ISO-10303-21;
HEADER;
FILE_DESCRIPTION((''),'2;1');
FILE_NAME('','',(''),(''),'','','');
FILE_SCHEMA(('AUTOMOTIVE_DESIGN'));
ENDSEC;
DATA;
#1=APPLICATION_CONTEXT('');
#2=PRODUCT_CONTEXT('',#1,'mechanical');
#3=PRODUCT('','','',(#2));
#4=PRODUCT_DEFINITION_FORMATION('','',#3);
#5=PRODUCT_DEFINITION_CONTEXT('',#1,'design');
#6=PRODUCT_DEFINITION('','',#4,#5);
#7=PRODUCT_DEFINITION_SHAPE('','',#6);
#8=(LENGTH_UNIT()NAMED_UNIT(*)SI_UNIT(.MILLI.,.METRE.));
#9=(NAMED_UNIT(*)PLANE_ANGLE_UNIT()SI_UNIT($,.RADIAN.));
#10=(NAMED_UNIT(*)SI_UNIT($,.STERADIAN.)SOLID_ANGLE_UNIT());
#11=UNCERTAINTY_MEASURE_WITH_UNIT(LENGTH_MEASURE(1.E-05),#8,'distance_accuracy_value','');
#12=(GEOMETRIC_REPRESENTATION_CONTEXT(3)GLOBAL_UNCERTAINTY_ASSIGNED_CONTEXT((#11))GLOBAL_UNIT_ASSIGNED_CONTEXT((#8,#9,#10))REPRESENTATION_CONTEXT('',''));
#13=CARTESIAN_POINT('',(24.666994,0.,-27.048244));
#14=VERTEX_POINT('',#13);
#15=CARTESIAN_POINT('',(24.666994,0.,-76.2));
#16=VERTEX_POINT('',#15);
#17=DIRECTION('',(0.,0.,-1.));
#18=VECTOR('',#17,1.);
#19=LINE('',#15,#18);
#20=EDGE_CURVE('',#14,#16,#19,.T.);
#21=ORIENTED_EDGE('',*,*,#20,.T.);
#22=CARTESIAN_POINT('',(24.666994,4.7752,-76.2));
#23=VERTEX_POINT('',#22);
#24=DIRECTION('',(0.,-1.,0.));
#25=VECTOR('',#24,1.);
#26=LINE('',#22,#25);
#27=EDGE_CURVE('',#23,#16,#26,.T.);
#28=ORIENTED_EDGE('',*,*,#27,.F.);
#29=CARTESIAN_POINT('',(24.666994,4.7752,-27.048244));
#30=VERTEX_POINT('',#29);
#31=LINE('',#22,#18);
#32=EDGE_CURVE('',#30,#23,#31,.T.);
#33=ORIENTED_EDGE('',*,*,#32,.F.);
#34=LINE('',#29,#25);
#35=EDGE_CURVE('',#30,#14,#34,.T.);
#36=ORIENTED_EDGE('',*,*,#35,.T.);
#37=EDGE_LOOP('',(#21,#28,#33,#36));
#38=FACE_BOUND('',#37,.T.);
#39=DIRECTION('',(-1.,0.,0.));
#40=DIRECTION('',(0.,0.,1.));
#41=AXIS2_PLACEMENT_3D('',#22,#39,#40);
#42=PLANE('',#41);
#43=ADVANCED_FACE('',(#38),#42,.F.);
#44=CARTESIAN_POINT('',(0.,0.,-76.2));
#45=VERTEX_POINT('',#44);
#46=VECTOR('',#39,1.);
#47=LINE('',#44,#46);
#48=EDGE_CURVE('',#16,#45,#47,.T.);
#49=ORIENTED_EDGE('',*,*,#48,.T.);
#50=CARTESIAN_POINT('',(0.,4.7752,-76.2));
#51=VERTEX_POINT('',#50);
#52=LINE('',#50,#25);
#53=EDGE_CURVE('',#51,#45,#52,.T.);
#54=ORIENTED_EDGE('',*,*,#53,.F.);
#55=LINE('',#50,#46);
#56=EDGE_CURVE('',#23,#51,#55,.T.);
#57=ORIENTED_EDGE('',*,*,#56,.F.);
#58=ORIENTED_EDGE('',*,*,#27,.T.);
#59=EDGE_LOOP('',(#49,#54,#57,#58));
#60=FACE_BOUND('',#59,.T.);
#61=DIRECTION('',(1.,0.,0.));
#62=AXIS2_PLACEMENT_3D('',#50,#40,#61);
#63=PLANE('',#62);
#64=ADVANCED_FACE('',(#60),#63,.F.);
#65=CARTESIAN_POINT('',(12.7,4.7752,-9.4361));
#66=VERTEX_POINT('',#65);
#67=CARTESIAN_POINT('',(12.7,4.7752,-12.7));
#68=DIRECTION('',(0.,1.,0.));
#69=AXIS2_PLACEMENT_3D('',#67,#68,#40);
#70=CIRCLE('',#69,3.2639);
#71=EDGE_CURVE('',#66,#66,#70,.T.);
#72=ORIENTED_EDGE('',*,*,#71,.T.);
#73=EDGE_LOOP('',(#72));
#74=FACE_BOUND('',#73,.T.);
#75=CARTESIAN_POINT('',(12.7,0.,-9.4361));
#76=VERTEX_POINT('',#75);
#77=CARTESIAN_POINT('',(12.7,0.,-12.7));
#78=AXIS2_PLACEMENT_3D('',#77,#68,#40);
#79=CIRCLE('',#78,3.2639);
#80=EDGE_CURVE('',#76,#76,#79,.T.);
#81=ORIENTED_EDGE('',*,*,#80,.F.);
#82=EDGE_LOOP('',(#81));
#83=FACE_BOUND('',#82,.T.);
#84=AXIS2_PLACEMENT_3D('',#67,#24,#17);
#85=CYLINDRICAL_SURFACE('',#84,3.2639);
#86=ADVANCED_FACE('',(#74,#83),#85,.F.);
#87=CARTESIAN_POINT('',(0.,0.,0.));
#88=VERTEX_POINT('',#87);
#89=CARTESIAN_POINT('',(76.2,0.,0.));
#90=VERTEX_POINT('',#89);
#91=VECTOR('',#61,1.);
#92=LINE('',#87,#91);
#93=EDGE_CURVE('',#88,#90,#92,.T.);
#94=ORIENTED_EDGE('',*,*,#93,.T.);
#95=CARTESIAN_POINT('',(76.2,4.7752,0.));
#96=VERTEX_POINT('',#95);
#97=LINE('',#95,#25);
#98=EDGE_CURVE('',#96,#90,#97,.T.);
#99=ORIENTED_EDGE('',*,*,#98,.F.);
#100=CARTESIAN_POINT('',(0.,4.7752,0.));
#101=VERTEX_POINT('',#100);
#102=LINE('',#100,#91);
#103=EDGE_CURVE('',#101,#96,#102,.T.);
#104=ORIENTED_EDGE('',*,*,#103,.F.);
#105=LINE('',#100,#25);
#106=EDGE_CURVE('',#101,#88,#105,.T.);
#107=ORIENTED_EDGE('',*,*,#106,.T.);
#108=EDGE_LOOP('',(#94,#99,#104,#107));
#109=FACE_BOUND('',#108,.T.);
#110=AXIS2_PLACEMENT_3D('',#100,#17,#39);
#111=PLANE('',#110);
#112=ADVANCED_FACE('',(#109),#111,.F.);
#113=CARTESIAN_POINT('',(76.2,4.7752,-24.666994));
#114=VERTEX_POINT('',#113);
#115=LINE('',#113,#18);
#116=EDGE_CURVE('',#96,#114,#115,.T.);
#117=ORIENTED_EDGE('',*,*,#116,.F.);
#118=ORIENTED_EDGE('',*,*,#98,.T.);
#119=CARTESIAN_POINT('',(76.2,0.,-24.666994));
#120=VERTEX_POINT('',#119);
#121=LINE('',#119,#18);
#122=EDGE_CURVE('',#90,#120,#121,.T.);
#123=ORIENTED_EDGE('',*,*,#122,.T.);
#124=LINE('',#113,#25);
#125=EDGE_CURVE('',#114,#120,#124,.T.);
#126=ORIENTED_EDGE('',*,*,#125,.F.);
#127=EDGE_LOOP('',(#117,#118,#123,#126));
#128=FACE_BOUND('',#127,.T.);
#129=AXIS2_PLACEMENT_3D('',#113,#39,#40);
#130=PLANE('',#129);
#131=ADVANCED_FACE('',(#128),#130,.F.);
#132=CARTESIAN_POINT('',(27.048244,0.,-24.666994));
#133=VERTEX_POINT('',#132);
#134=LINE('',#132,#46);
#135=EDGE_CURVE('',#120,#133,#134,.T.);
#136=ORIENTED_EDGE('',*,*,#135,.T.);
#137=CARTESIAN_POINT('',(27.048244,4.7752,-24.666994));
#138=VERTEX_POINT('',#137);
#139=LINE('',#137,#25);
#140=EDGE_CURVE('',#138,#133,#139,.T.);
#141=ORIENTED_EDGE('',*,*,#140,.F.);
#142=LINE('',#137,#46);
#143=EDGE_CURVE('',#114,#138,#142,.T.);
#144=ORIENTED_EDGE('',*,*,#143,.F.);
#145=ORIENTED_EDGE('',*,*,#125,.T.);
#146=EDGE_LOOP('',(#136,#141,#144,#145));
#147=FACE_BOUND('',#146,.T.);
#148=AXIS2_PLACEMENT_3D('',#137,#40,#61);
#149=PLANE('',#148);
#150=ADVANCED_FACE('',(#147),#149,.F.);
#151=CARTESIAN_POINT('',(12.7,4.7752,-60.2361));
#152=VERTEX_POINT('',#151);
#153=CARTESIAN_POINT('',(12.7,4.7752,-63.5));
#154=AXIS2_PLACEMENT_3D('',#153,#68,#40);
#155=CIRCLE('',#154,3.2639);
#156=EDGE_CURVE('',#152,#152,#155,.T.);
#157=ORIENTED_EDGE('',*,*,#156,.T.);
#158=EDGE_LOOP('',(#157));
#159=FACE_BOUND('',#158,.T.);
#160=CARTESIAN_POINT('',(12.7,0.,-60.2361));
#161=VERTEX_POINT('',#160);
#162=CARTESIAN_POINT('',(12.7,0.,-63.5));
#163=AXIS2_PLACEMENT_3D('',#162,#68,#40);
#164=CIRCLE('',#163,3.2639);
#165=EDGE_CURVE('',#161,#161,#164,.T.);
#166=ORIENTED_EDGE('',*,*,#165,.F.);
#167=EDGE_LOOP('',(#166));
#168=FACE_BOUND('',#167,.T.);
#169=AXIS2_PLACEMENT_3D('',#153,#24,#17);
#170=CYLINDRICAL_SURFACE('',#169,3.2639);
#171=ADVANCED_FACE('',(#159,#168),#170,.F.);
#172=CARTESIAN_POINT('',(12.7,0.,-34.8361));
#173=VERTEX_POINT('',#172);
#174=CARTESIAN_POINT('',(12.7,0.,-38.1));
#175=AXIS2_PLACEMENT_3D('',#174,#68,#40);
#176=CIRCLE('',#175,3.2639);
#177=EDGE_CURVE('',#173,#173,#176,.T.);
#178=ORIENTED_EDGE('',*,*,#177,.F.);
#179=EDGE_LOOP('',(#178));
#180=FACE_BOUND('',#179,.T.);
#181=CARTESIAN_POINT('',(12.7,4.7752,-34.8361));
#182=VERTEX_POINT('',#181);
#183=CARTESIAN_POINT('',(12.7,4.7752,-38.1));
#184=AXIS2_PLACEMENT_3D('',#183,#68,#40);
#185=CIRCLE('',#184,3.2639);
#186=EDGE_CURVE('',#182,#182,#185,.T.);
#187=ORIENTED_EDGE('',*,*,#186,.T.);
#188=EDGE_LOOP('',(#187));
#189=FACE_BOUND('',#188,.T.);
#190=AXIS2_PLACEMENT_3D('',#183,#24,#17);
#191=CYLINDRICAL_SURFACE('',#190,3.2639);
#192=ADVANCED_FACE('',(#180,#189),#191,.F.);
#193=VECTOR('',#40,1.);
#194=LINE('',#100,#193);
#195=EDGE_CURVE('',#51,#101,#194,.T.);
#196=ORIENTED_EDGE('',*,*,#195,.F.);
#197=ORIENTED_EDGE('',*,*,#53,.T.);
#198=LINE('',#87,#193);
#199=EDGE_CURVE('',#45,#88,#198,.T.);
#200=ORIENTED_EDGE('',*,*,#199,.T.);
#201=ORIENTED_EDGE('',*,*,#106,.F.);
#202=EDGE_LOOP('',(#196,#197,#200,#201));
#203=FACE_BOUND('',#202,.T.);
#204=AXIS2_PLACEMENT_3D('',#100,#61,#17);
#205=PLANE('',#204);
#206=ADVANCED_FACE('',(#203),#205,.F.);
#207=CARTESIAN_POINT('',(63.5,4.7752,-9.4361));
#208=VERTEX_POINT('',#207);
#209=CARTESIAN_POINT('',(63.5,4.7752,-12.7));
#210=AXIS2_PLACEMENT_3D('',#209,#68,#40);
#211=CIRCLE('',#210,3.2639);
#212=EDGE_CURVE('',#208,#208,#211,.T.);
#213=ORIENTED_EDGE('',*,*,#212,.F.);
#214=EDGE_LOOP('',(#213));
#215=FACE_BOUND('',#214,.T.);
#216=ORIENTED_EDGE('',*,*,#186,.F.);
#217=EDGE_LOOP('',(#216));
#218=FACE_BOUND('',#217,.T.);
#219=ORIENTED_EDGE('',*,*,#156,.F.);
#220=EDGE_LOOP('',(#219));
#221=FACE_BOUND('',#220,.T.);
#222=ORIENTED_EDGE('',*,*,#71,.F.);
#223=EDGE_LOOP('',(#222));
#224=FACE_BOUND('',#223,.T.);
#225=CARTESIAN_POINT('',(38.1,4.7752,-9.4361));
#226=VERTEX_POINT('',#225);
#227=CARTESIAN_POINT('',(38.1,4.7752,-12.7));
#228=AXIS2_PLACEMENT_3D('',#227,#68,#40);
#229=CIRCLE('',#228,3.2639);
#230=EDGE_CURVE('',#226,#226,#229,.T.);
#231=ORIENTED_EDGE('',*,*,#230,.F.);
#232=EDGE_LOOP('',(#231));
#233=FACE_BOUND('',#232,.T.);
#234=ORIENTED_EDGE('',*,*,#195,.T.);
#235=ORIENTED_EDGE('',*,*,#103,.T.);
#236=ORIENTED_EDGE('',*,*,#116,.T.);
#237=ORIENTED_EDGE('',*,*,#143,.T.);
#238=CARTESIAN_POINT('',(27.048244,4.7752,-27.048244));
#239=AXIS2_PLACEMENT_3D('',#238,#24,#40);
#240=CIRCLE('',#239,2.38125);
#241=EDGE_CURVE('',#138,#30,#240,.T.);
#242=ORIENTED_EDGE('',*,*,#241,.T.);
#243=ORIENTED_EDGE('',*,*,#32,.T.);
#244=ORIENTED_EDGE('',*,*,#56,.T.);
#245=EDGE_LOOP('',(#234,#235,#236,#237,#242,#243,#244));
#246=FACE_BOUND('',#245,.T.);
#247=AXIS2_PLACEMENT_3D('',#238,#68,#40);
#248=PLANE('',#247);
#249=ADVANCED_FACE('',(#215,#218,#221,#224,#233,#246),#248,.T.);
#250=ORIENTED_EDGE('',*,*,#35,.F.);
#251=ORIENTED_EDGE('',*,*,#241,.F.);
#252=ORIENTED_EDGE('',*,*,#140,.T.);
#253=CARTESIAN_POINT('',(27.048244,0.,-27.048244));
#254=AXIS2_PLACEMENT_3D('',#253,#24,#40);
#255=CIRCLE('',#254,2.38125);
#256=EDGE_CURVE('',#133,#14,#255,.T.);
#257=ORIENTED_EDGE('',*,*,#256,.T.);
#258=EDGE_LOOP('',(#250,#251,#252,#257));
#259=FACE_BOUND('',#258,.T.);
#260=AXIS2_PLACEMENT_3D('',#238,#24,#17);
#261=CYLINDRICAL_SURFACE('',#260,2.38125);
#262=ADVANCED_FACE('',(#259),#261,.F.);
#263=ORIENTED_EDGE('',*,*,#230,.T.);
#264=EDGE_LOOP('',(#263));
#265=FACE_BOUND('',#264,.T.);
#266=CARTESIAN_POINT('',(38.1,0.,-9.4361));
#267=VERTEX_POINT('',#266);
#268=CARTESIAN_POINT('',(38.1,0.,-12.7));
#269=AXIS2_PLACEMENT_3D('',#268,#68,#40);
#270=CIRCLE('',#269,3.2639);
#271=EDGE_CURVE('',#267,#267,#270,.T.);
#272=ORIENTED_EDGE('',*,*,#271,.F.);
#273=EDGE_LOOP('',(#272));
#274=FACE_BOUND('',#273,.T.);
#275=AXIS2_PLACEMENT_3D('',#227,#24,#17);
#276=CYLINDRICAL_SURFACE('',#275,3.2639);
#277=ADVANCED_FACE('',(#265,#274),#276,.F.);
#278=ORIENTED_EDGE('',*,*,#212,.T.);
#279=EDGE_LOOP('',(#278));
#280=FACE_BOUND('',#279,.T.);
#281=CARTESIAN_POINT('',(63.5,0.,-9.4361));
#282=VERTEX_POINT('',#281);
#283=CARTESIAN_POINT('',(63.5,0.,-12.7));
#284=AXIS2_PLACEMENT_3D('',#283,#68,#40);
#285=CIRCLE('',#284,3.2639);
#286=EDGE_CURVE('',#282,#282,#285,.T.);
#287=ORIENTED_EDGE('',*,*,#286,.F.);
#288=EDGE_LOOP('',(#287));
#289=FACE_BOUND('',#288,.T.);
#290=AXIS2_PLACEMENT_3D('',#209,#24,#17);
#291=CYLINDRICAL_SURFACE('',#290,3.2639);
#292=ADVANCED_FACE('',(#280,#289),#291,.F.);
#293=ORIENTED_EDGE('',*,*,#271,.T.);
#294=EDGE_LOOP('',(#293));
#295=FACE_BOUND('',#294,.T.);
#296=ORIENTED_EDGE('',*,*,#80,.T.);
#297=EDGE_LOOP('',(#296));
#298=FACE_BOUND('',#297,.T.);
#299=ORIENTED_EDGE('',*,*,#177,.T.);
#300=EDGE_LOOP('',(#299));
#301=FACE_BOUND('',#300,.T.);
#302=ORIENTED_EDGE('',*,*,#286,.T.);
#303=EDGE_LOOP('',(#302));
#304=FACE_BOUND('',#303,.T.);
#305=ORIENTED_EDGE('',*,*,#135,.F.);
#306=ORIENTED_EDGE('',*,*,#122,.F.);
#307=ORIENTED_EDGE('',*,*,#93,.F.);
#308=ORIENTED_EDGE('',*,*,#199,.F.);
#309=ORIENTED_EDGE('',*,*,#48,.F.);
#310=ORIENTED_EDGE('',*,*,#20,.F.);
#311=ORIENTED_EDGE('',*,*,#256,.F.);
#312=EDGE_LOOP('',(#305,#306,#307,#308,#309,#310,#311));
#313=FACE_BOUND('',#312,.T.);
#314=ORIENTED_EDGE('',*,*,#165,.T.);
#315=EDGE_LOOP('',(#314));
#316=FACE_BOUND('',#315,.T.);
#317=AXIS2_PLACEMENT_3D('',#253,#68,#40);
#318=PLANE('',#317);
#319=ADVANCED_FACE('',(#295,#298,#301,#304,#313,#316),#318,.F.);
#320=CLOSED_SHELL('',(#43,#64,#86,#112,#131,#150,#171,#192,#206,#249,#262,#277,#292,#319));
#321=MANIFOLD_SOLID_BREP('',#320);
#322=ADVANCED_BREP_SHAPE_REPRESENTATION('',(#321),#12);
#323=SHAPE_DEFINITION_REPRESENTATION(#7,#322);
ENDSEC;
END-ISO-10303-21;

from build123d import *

# Parameters (mm, degrees)
SKETCH1_R      = 3.2639
EXTRUDE1_DEPTH = 4.7752


with BuildPart() as part:
    # Sketch1 → Extrude1 (new body)
    with BuildSketch(Plane(origin=(0, 0, 0), x_dir=(1, 0, 0), z_dir=(0, 1, 0))):
        with BuildLine():
            Line((24.666993976, 76.2), (24.666993976, 27.048243976))
            ThreePointArc((24.666993976, 27.048243976), (25.364445953, 25.364445953), (27.048243976, 24.666993976))
            Line((27.048243976, 24.666993976), (76.2, 24.666993976))
            Line((76.2, 24.666993976), (76.2, 0))
            Line((76.2, 0), (0, 0))
            Line((0, 0), (0, 76.2))
            Line((0, 76.2), (24.666993976, 76.2))
        make_face()
        with Locations(Location((12.7, 63.5, 0), (0, 0, 270))):
            Circle(SKETCH1_R, mode=Mode.SUBTRACT)
        with Locations(Location((12.7, 38.1, 0), (0, 0, 270))):
            Circle(SKETCH1_R, mode=Mode.SUBTRACT)
        with Locations(Location((12.7, 12.7, 0), (0, 0, 270))):
            Circle(SKETCH1_R, mode=Mode.SUBTRACT)
        with Locations(Location((38.1, 12.7, 0), (0, 0, 270))):
            Circle(SKETCH1_R, mode=Mode.SUBTRACT)
        with Locations(Location((63.5, 12.7, 0), (0, 0, 270))):
            Circle(SKETCH1_R, mode=Mode.SUBTRACT)
    extrude(amount=EXTRUDE1_DEPTH)


solid = part.part
